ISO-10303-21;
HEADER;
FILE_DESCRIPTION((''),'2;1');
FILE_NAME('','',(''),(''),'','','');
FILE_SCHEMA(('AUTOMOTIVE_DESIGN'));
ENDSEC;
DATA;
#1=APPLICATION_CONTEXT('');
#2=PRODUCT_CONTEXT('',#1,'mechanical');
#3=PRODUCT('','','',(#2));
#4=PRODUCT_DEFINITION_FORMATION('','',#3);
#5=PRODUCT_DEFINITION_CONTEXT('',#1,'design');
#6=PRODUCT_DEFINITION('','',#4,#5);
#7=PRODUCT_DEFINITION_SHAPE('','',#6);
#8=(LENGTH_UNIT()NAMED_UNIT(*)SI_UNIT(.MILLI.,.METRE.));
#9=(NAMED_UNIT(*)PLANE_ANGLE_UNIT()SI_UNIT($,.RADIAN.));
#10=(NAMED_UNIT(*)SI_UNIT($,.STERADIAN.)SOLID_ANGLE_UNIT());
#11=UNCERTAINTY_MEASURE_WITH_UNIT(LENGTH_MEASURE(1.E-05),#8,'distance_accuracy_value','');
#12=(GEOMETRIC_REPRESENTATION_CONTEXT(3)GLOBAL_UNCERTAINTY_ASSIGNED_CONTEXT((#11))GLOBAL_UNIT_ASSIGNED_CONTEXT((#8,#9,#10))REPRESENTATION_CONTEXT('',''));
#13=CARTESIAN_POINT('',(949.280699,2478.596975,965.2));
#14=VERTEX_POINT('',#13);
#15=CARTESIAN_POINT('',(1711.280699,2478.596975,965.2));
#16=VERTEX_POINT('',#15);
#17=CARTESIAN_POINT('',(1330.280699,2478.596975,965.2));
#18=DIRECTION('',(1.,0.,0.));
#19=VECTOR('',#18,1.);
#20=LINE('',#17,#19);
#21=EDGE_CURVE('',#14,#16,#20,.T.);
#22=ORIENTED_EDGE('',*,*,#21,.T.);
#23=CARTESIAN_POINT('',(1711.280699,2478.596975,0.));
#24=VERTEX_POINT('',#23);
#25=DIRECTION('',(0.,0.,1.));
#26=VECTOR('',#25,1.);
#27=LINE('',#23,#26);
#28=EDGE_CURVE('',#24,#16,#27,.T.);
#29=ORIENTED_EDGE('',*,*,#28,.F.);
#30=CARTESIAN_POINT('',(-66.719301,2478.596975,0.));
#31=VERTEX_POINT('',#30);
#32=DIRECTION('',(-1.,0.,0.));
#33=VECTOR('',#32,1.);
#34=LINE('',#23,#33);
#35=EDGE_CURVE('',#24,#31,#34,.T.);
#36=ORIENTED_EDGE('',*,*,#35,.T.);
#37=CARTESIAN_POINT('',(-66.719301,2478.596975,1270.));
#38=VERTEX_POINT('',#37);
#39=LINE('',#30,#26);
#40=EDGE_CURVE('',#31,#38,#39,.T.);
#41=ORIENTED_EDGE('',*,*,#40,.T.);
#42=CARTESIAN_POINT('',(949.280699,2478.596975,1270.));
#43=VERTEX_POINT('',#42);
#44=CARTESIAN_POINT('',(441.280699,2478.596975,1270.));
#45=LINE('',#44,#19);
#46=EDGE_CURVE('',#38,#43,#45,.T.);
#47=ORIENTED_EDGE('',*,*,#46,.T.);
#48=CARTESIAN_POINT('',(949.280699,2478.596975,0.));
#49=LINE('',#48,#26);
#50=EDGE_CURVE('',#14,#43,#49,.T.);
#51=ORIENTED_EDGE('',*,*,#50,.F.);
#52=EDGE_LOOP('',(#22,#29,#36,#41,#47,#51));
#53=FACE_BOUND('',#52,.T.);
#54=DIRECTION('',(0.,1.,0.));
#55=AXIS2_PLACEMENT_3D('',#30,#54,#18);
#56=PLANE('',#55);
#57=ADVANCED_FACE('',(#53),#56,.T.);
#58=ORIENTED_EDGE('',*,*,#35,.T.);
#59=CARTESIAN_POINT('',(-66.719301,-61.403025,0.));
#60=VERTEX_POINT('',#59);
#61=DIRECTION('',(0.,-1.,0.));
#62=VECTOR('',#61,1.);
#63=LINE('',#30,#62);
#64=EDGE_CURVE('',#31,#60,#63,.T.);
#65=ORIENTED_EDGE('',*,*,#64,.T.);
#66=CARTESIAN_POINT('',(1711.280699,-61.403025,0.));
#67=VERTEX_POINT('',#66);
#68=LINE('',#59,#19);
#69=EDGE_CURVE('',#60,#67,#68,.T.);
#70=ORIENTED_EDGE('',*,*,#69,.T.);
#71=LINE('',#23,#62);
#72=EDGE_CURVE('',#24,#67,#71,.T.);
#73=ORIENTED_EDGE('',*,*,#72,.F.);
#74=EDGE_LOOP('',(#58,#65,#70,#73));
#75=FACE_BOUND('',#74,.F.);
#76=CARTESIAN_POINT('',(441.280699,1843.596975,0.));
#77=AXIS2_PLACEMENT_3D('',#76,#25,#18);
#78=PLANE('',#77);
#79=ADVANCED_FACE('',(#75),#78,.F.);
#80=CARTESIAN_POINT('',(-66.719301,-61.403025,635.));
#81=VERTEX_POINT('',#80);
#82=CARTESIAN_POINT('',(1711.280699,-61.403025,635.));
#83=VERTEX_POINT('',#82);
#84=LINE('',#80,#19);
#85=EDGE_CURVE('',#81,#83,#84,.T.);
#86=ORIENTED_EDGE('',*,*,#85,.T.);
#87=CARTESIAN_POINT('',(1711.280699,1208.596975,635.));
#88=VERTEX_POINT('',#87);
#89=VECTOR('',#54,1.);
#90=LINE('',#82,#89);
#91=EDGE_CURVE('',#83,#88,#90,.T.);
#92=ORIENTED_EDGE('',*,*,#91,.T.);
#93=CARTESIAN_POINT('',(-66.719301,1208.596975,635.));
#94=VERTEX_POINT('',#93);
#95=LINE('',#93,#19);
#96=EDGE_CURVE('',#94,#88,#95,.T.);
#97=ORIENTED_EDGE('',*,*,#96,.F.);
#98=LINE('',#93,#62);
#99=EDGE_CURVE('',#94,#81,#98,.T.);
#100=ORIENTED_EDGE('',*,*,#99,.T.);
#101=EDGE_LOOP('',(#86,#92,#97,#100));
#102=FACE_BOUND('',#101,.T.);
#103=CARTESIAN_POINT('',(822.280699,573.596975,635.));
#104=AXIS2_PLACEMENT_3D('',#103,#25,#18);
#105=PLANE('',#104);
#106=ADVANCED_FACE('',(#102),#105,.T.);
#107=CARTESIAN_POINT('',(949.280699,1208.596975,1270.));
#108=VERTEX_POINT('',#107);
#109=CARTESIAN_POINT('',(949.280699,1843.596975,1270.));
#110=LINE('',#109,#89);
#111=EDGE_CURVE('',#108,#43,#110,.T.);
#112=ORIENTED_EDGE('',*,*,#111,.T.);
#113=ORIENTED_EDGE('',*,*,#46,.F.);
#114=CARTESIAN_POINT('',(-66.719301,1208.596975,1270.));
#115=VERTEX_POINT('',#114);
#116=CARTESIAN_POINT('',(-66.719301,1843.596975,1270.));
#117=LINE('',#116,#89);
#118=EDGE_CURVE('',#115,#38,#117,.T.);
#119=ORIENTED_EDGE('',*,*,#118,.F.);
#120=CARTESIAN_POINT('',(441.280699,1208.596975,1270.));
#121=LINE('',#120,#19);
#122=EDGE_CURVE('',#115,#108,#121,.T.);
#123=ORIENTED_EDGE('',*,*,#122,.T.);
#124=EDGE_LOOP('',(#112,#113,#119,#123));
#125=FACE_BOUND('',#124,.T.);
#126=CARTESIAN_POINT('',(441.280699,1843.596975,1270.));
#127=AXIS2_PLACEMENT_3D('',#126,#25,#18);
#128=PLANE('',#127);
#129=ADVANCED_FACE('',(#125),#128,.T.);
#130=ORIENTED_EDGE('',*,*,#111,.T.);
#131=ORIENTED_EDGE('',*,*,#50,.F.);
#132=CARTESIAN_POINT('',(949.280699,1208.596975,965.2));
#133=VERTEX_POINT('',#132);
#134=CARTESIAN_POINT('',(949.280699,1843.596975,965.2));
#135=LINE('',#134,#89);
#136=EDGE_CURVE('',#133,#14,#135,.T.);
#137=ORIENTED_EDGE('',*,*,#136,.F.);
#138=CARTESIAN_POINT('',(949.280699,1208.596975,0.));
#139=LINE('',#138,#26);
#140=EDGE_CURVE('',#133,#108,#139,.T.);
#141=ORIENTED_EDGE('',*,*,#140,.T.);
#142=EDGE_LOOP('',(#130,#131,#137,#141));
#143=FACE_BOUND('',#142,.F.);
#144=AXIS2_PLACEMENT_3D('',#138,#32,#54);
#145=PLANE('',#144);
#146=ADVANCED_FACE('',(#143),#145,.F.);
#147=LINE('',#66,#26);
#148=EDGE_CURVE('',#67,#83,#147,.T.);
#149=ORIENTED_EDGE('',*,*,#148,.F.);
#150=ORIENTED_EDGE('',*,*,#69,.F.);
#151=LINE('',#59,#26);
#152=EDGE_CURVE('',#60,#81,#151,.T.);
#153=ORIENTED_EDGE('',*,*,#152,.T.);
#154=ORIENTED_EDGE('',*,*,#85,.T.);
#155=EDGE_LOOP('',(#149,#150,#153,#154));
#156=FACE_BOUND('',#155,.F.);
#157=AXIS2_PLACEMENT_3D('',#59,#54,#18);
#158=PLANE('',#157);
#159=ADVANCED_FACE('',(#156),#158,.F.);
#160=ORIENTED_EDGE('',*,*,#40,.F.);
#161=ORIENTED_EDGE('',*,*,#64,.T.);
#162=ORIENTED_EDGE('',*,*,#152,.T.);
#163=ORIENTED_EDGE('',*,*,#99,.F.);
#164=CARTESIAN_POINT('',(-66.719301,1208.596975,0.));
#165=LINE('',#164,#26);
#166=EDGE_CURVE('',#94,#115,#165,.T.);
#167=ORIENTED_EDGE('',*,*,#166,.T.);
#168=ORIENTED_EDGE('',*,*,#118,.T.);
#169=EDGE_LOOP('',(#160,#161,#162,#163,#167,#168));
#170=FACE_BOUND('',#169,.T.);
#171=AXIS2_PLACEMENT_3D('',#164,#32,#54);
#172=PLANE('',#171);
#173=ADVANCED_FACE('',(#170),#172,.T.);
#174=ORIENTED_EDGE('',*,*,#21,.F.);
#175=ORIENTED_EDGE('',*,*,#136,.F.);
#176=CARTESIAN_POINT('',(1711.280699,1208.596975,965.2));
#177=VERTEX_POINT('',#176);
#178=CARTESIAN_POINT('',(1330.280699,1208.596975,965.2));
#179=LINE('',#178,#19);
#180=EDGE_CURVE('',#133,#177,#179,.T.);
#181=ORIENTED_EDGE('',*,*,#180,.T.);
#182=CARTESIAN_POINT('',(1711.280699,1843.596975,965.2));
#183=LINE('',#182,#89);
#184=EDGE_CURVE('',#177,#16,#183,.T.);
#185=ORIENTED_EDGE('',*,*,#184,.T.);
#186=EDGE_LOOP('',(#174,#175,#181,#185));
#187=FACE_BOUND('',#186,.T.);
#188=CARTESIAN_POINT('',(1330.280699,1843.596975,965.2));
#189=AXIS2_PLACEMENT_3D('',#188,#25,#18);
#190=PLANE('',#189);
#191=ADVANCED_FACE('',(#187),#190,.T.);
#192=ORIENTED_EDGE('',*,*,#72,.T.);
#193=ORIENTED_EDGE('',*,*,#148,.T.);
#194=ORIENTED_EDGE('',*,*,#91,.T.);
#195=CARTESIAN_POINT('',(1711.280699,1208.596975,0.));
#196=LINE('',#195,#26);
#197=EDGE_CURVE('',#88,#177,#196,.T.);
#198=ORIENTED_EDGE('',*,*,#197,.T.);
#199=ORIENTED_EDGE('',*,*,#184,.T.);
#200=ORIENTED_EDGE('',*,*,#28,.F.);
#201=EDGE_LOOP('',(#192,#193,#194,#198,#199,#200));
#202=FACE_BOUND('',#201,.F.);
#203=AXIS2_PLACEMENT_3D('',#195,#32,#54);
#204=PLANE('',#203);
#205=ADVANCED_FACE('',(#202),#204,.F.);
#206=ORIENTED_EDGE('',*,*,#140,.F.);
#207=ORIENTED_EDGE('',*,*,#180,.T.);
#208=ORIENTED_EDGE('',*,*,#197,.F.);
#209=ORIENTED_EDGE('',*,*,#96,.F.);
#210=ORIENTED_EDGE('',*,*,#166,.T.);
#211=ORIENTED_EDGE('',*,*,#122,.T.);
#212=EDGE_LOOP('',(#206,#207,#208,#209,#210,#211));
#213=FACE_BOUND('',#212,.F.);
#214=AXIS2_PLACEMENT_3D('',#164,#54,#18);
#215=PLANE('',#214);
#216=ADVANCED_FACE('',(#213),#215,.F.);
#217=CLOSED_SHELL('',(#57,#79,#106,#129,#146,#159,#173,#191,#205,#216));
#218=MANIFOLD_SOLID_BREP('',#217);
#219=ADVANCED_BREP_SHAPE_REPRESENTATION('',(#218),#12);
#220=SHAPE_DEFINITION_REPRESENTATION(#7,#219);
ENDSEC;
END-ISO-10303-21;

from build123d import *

# Parameters (mm, degrees)
F1_DEPTH = 635
F0_W     = 762
F0_H     = 1270
F2_DEPTH = 965.2
F0_W_2   = 1016
F3_DEPTH = 1270


with BuildPart() as f1:
    # F0 (on Top) → F1 (new body)
    with BuildSketch(Plane.XY):
        Polygon((-66.719301, 1208.596975), (-66.719301, -61.403025), (1711.280699, -61.403025), (1711.280699, 1208.596975), (949.280699, 1208.596975), align=None)
    extrude(amount=F1_DEPTH)

    # F0 (on Top) → F2 (join)
    with BuildSketch(Plane.XY):
        with Locations((1330.280699, 1843.596975)):
            Rectangle(F0_W, F0_H)
    extrude(amount=F2_DEPTH)

    # F0 (on Top) → F3 (join)
    with BuildSketch(Plane.XY):
        with Locations((441.280699, 1843.596975)):
            Rectangle(F0_W_2, F0_H)
    extrude(amount=F3_DEPTH)


solid = f1.part
